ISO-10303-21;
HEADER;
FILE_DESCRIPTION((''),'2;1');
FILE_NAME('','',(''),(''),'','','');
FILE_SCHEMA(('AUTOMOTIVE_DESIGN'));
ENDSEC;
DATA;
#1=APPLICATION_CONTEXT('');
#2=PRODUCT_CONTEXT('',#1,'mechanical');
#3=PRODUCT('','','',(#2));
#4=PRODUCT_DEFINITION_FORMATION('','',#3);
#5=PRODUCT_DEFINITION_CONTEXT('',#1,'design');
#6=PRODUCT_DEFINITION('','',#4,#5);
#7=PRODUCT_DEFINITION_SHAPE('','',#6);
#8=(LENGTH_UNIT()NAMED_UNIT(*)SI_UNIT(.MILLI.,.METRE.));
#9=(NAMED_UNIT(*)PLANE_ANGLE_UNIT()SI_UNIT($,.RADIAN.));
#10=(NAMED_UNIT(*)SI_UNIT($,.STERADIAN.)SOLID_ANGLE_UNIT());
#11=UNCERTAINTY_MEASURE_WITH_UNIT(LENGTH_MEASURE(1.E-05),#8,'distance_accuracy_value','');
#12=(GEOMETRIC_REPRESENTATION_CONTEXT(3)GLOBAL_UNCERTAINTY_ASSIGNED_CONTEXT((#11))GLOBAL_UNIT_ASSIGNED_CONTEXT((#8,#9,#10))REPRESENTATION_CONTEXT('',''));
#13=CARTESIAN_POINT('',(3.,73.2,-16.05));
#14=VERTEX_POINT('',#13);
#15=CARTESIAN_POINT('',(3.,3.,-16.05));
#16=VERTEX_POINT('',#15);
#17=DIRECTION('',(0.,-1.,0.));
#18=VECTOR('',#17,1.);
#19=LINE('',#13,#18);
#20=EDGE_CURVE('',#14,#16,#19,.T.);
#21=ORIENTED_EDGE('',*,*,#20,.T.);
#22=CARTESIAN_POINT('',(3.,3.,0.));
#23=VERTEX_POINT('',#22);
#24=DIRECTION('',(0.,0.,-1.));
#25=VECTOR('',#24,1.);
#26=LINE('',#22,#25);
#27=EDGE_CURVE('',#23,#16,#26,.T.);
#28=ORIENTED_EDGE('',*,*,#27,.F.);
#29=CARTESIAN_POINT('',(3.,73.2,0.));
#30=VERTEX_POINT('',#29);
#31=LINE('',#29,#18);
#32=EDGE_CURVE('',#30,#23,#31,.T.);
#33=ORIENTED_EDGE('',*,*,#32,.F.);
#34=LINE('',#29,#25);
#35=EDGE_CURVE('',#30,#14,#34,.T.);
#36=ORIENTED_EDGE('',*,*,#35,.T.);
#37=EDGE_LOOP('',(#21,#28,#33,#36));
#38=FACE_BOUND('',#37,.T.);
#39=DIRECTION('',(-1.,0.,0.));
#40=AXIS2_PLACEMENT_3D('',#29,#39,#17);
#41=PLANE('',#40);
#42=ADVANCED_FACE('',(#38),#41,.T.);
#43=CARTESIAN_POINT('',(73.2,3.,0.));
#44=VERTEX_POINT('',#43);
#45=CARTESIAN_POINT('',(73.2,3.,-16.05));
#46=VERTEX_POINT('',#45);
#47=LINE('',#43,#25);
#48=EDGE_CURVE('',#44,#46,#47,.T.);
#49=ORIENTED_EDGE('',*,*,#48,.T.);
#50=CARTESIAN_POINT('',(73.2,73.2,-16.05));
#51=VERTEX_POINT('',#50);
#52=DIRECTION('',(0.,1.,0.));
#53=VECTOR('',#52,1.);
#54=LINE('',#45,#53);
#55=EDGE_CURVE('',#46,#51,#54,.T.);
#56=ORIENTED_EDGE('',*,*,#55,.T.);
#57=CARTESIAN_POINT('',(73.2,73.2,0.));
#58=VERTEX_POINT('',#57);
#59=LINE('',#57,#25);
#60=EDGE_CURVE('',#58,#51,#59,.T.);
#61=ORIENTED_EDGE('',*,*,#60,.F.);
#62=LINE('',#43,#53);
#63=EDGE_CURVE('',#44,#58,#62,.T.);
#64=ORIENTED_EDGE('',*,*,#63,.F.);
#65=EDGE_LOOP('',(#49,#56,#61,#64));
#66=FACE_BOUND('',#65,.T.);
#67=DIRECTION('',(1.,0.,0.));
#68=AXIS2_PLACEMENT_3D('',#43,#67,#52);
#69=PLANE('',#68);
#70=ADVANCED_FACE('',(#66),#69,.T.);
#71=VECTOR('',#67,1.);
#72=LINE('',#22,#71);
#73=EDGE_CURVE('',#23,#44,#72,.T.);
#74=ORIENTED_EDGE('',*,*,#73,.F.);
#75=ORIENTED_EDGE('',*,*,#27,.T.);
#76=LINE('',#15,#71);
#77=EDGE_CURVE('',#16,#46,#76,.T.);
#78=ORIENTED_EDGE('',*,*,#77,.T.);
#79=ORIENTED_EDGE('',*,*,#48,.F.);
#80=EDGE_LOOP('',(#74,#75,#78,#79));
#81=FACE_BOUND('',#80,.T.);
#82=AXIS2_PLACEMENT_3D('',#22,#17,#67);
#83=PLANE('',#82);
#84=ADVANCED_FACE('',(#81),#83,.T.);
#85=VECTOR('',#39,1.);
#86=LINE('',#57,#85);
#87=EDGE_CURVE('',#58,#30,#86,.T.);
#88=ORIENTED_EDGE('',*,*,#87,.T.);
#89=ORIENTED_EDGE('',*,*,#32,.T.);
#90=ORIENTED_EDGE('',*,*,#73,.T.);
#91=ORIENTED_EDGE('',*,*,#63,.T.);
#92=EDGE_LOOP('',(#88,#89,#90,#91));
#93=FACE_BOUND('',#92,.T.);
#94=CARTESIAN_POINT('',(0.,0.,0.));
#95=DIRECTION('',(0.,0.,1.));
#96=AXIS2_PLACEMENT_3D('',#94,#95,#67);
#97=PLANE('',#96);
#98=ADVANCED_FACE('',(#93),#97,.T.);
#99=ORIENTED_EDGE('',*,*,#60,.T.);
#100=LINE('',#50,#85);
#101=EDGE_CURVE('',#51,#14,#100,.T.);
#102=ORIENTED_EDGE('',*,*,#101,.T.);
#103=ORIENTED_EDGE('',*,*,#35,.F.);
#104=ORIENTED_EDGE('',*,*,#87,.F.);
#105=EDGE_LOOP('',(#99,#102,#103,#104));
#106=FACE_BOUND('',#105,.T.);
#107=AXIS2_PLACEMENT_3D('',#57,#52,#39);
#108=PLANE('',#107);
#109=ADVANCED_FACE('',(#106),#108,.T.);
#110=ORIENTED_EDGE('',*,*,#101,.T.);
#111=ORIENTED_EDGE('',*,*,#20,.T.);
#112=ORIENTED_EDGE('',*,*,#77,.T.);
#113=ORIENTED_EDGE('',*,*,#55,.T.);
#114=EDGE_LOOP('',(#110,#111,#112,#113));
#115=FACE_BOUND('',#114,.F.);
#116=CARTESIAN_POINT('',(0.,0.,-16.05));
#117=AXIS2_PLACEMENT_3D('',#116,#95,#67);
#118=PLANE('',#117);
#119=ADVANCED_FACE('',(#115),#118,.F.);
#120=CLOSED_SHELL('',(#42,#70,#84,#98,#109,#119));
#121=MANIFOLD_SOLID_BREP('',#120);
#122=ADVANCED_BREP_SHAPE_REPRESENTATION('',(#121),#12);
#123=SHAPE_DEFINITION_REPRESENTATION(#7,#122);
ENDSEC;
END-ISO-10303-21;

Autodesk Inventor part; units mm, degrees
ref_plane "YZ Plane" through (0, 0, 0) normal (1, 0, 0) x (0, 1, 0)
ref_plane "XZ Plane" through (0, 0, 0) normal (0, 1, 0) x (-1, 0, 0)
sketch "Sketch1" plane through (0, 0, 0) normal (0, 0, 1) x (1, 0, 0)
  line L0 (0, 0) -> (0, 76.2) construction
  line L1 (0, 76.2) -> (76.2, 76.2) construction
  line L2 (76.2, 76.2) -> (76.2, 0) construction
  line L3 (76.2, 0) -> (0, 0) construction
  line L4 (73.2, 73.2) -> (3, 73.2)
  line L5 (3, 73.2) -> (3, 3)
  line L6 (3, 3) -> (73.2, 3)
  line L7 (73.2, 3) -> (73.2, 73.2)
  dimension "d0" = 3
ref_plane "Work Plane1" through (-3.81, -3.81, -16.05) normal (0, 0, 1) x (1, 0, 0)
extrude "Extrusion1" add sketch "Sketch1" against normal up to surface (16.05 mm away)
properties part number "STOCK_MATERIAL_1"
